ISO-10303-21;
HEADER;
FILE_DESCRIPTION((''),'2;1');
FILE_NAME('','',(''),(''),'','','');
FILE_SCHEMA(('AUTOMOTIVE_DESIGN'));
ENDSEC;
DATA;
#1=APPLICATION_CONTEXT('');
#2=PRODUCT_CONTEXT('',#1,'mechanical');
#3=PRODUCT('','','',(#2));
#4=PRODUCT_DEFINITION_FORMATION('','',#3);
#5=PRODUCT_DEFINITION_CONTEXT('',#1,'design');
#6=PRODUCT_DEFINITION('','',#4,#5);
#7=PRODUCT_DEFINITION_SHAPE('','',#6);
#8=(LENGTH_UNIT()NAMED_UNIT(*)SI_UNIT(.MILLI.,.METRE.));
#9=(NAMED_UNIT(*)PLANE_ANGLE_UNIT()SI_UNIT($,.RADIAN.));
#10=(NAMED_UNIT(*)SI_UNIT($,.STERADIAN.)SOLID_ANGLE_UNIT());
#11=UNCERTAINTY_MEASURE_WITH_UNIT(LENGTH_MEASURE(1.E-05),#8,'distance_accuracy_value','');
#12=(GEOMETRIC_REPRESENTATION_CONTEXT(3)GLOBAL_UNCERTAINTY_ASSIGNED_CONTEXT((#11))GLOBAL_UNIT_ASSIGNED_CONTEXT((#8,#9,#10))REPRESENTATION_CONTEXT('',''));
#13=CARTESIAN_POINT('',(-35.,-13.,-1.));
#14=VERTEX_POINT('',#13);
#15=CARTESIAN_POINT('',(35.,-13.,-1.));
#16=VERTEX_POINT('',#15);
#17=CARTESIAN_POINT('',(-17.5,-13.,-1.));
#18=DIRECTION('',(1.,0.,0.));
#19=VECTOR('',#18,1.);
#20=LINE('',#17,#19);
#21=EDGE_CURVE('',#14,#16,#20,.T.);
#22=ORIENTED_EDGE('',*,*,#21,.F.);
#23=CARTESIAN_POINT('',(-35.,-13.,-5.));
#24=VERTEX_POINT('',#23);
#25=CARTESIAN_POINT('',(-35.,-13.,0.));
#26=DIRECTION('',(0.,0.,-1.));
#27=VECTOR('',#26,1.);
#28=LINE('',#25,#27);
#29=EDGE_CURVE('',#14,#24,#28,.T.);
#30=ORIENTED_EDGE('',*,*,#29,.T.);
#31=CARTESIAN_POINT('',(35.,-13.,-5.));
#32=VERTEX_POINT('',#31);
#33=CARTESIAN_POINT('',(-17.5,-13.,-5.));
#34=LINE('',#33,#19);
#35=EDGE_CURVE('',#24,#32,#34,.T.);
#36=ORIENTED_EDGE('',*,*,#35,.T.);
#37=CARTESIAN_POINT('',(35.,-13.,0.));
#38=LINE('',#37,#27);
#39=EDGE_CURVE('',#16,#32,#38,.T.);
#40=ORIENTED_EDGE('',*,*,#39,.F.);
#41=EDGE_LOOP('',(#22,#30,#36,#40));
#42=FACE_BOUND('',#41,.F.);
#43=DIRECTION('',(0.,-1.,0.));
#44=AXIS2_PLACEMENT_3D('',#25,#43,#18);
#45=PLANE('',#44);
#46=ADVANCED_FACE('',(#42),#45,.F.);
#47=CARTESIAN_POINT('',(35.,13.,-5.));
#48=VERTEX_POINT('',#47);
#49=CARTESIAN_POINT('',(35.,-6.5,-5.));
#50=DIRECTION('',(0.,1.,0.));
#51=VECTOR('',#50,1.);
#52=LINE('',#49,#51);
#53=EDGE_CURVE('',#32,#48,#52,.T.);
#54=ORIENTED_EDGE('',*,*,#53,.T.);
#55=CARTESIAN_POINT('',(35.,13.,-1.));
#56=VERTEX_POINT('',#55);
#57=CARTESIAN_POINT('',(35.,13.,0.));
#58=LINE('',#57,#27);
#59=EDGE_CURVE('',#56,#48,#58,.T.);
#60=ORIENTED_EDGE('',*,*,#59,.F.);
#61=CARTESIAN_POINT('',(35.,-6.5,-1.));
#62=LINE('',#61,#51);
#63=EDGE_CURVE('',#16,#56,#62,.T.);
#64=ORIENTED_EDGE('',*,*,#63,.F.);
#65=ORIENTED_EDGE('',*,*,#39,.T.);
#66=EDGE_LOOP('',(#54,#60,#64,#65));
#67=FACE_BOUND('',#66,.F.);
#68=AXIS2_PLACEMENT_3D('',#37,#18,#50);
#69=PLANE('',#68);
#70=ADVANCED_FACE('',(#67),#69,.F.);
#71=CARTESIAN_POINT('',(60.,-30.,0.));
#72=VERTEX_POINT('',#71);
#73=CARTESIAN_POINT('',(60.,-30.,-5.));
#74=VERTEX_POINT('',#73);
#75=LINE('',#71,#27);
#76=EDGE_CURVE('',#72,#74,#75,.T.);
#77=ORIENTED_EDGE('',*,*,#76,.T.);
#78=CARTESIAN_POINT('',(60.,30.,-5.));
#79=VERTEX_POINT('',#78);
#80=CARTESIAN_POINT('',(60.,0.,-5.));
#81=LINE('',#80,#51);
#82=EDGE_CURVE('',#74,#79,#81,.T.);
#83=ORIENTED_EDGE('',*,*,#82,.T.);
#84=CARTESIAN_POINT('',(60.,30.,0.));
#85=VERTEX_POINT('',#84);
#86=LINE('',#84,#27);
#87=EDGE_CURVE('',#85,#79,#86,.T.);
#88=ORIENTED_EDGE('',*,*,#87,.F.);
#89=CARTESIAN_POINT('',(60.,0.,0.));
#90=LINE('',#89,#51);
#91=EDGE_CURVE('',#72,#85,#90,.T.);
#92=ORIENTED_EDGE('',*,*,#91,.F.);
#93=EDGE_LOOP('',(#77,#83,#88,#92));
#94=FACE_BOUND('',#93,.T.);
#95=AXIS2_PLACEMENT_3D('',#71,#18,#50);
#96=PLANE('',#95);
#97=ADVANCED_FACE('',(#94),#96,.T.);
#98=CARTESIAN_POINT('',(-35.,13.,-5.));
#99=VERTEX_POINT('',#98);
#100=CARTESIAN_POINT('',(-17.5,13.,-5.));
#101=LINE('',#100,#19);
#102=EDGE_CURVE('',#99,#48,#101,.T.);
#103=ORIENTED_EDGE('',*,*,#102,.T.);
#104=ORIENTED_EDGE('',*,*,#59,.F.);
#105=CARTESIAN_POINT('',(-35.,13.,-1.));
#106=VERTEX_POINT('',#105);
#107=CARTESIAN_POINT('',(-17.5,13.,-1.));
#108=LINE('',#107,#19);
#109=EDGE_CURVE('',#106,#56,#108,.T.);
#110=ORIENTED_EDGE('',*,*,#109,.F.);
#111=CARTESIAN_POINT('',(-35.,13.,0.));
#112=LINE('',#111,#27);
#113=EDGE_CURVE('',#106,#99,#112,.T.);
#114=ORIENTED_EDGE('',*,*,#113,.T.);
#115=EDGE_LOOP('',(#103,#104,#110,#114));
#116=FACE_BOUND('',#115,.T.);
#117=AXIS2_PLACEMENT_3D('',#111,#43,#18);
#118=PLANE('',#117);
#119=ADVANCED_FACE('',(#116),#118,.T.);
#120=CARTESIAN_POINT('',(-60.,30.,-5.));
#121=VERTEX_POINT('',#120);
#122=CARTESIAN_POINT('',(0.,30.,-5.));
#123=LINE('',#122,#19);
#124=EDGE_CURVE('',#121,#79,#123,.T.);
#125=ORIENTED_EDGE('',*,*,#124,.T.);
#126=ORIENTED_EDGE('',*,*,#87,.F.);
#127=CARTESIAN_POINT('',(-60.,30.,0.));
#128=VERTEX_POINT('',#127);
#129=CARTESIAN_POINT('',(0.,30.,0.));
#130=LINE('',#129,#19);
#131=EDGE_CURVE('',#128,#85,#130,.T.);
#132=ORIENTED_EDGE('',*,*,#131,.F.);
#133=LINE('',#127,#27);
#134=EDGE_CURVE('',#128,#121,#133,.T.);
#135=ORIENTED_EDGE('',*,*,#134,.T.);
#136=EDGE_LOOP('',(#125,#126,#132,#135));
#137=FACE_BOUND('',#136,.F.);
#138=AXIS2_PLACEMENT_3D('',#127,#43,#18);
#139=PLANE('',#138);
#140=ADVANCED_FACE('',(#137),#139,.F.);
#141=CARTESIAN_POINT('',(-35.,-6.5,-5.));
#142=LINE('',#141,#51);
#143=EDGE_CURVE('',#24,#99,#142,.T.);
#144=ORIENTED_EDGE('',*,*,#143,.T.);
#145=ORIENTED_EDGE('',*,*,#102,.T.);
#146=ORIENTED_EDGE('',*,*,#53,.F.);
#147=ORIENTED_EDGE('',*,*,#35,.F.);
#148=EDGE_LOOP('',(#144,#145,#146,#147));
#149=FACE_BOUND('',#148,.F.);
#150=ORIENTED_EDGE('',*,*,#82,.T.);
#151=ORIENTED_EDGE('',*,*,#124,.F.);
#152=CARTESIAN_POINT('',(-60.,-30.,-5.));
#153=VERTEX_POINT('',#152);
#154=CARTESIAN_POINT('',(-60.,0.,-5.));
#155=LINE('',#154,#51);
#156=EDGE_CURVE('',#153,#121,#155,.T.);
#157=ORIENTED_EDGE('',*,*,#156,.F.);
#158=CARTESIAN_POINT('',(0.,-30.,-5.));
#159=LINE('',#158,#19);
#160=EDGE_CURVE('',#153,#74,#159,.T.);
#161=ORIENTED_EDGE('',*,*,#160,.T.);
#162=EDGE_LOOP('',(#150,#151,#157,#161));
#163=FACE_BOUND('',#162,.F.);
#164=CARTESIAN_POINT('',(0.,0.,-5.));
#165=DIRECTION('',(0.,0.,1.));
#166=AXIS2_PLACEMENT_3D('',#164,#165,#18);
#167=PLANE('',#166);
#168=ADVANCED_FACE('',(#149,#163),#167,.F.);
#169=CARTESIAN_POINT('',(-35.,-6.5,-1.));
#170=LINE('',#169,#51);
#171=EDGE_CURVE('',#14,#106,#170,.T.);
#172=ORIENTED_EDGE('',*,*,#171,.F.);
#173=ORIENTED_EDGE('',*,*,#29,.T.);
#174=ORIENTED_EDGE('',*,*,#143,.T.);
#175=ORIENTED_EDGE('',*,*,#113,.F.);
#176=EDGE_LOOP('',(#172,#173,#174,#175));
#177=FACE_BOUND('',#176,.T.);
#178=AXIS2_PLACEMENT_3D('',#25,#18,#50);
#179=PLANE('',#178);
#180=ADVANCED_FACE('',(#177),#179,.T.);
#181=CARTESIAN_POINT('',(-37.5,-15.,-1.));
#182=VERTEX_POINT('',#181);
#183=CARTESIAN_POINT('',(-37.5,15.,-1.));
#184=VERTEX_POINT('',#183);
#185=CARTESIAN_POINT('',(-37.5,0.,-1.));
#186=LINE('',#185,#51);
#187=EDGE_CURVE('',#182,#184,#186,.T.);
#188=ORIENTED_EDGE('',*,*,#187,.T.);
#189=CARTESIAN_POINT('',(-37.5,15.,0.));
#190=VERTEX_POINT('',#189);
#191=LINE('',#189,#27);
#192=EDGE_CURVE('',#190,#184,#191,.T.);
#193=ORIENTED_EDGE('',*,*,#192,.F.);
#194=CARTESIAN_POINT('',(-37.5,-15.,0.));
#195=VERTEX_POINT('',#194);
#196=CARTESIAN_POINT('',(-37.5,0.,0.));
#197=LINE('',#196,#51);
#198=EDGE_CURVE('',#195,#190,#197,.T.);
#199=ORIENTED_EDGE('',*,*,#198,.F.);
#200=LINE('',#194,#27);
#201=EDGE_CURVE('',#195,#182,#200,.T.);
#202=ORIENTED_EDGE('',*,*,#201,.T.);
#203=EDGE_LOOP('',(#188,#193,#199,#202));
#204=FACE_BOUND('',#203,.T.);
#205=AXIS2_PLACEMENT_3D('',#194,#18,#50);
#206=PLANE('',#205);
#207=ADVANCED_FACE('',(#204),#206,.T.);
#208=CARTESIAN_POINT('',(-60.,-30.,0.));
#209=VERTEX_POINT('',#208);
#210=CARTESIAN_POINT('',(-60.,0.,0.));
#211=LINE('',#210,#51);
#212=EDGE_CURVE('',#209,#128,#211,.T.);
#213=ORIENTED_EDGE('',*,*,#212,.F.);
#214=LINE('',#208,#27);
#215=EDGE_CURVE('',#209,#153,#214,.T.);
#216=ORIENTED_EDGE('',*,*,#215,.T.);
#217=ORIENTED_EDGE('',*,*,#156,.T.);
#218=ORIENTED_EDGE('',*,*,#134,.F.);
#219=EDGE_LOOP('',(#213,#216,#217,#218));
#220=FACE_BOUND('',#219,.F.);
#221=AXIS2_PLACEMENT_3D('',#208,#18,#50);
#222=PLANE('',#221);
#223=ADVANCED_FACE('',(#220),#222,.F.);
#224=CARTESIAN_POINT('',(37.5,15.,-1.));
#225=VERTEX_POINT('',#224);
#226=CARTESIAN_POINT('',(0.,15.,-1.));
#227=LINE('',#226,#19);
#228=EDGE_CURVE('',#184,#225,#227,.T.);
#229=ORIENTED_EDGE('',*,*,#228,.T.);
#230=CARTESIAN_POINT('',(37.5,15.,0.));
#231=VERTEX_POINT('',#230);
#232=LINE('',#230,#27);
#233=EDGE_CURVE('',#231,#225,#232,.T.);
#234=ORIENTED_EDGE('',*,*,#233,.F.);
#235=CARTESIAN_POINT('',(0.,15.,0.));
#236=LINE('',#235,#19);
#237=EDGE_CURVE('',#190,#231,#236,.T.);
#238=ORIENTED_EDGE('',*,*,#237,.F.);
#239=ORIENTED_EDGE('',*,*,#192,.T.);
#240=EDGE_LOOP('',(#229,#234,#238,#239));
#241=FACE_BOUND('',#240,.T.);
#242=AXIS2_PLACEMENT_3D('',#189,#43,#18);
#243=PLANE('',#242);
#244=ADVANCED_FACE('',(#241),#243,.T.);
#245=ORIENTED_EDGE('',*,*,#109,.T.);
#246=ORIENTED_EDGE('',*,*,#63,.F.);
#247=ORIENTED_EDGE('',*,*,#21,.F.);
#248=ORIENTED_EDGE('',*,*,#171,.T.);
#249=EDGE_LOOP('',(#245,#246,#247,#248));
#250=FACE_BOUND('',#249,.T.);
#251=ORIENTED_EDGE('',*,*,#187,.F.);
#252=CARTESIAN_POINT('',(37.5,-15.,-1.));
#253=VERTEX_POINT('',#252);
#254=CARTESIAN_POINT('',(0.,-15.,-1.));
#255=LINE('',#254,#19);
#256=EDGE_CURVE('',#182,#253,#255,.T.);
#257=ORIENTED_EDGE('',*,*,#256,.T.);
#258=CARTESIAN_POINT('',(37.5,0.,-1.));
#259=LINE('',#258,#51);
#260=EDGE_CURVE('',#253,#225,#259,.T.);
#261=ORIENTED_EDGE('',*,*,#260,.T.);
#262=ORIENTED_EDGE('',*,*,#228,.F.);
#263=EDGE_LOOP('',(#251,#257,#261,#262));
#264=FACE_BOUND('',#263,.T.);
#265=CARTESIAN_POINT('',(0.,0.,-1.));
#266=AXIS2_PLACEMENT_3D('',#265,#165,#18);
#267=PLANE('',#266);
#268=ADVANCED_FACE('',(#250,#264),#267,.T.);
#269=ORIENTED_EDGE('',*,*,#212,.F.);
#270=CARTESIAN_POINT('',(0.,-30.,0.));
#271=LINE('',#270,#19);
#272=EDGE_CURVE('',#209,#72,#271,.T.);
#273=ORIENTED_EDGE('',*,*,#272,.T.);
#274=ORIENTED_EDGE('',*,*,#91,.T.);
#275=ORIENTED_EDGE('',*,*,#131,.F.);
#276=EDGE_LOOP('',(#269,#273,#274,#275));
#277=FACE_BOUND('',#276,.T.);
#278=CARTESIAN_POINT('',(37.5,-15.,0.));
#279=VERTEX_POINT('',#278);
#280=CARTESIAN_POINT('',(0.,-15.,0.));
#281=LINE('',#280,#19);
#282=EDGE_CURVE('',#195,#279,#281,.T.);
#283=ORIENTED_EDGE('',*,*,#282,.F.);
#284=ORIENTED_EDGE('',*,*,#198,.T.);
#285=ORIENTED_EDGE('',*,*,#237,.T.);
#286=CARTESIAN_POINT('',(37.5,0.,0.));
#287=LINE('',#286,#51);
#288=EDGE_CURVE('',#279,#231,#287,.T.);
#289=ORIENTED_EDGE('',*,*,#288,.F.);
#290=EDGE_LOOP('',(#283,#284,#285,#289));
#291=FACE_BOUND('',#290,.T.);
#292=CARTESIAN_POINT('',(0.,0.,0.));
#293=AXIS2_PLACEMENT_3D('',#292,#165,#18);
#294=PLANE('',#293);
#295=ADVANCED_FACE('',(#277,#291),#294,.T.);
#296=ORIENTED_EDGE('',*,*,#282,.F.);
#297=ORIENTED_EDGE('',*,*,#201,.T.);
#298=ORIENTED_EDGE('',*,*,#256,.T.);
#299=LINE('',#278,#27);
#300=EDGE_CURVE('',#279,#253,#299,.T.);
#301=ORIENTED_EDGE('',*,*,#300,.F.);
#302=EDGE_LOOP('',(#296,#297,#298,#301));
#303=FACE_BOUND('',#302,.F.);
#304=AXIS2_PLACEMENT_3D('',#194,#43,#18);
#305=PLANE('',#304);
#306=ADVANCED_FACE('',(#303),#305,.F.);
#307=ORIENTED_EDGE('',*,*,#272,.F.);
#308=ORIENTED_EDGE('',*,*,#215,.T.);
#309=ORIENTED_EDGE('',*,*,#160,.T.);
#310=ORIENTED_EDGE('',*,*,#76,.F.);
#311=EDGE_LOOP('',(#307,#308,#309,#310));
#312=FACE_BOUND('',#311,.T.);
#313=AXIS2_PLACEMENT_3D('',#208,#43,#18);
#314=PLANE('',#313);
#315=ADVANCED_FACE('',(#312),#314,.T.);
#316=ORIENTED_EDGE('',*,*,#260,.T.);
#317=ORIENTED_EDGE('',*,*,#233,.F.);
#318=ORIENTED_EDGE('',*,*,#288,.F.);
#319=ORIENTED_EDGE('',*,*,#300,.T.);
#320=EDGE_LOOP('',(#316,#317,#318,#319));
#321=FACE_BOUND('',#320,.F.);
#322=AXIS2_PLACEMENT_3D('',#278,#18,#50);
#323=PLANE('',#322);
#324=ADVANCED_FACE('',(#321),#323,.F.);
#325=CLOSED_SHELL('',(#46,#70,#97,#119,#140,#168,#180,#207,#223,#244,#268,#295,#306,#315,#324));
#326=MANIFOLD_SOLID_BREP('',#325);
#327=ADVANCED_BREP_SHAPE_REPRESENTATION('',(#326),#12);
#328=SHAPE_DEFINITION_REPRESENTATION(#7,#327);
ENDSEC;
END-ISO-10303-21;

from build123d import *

# Parameters (mm, degrees)
F0_W     = 120
F0_H     = 60
F3_DEPTH = 5
F1_W     = 75
F1_H     = 30
F4_DEPTH = 1
F2_W     = 70
F2_H     = 26
F5_DEPTH = 10


with BuildPart() as f3:
    # F0 (on Top) → F3 (new body)
    with BuildSketch(Plane.XY):
        Rectangle(F0_W, F0_H)
    extrude(amount=-F3_DEPTH)

    # F1 (on Top) → F4 (cut)
    with BuildSketch(Plane.XY):
        Rectangle(F1_W, F1_H)
    extrude(amount=-F4_DEPTH, mode=Mode.SUBTRACT)

    # F2 (on Top) → F5 (cut)
    with BuildSketch(Plane.XY):
        Rectangle(F2_W, F2_H)
    extrude(amount=-F5_DEPTH, mode=Mode.SUBTRACT)


solid = f3.part
